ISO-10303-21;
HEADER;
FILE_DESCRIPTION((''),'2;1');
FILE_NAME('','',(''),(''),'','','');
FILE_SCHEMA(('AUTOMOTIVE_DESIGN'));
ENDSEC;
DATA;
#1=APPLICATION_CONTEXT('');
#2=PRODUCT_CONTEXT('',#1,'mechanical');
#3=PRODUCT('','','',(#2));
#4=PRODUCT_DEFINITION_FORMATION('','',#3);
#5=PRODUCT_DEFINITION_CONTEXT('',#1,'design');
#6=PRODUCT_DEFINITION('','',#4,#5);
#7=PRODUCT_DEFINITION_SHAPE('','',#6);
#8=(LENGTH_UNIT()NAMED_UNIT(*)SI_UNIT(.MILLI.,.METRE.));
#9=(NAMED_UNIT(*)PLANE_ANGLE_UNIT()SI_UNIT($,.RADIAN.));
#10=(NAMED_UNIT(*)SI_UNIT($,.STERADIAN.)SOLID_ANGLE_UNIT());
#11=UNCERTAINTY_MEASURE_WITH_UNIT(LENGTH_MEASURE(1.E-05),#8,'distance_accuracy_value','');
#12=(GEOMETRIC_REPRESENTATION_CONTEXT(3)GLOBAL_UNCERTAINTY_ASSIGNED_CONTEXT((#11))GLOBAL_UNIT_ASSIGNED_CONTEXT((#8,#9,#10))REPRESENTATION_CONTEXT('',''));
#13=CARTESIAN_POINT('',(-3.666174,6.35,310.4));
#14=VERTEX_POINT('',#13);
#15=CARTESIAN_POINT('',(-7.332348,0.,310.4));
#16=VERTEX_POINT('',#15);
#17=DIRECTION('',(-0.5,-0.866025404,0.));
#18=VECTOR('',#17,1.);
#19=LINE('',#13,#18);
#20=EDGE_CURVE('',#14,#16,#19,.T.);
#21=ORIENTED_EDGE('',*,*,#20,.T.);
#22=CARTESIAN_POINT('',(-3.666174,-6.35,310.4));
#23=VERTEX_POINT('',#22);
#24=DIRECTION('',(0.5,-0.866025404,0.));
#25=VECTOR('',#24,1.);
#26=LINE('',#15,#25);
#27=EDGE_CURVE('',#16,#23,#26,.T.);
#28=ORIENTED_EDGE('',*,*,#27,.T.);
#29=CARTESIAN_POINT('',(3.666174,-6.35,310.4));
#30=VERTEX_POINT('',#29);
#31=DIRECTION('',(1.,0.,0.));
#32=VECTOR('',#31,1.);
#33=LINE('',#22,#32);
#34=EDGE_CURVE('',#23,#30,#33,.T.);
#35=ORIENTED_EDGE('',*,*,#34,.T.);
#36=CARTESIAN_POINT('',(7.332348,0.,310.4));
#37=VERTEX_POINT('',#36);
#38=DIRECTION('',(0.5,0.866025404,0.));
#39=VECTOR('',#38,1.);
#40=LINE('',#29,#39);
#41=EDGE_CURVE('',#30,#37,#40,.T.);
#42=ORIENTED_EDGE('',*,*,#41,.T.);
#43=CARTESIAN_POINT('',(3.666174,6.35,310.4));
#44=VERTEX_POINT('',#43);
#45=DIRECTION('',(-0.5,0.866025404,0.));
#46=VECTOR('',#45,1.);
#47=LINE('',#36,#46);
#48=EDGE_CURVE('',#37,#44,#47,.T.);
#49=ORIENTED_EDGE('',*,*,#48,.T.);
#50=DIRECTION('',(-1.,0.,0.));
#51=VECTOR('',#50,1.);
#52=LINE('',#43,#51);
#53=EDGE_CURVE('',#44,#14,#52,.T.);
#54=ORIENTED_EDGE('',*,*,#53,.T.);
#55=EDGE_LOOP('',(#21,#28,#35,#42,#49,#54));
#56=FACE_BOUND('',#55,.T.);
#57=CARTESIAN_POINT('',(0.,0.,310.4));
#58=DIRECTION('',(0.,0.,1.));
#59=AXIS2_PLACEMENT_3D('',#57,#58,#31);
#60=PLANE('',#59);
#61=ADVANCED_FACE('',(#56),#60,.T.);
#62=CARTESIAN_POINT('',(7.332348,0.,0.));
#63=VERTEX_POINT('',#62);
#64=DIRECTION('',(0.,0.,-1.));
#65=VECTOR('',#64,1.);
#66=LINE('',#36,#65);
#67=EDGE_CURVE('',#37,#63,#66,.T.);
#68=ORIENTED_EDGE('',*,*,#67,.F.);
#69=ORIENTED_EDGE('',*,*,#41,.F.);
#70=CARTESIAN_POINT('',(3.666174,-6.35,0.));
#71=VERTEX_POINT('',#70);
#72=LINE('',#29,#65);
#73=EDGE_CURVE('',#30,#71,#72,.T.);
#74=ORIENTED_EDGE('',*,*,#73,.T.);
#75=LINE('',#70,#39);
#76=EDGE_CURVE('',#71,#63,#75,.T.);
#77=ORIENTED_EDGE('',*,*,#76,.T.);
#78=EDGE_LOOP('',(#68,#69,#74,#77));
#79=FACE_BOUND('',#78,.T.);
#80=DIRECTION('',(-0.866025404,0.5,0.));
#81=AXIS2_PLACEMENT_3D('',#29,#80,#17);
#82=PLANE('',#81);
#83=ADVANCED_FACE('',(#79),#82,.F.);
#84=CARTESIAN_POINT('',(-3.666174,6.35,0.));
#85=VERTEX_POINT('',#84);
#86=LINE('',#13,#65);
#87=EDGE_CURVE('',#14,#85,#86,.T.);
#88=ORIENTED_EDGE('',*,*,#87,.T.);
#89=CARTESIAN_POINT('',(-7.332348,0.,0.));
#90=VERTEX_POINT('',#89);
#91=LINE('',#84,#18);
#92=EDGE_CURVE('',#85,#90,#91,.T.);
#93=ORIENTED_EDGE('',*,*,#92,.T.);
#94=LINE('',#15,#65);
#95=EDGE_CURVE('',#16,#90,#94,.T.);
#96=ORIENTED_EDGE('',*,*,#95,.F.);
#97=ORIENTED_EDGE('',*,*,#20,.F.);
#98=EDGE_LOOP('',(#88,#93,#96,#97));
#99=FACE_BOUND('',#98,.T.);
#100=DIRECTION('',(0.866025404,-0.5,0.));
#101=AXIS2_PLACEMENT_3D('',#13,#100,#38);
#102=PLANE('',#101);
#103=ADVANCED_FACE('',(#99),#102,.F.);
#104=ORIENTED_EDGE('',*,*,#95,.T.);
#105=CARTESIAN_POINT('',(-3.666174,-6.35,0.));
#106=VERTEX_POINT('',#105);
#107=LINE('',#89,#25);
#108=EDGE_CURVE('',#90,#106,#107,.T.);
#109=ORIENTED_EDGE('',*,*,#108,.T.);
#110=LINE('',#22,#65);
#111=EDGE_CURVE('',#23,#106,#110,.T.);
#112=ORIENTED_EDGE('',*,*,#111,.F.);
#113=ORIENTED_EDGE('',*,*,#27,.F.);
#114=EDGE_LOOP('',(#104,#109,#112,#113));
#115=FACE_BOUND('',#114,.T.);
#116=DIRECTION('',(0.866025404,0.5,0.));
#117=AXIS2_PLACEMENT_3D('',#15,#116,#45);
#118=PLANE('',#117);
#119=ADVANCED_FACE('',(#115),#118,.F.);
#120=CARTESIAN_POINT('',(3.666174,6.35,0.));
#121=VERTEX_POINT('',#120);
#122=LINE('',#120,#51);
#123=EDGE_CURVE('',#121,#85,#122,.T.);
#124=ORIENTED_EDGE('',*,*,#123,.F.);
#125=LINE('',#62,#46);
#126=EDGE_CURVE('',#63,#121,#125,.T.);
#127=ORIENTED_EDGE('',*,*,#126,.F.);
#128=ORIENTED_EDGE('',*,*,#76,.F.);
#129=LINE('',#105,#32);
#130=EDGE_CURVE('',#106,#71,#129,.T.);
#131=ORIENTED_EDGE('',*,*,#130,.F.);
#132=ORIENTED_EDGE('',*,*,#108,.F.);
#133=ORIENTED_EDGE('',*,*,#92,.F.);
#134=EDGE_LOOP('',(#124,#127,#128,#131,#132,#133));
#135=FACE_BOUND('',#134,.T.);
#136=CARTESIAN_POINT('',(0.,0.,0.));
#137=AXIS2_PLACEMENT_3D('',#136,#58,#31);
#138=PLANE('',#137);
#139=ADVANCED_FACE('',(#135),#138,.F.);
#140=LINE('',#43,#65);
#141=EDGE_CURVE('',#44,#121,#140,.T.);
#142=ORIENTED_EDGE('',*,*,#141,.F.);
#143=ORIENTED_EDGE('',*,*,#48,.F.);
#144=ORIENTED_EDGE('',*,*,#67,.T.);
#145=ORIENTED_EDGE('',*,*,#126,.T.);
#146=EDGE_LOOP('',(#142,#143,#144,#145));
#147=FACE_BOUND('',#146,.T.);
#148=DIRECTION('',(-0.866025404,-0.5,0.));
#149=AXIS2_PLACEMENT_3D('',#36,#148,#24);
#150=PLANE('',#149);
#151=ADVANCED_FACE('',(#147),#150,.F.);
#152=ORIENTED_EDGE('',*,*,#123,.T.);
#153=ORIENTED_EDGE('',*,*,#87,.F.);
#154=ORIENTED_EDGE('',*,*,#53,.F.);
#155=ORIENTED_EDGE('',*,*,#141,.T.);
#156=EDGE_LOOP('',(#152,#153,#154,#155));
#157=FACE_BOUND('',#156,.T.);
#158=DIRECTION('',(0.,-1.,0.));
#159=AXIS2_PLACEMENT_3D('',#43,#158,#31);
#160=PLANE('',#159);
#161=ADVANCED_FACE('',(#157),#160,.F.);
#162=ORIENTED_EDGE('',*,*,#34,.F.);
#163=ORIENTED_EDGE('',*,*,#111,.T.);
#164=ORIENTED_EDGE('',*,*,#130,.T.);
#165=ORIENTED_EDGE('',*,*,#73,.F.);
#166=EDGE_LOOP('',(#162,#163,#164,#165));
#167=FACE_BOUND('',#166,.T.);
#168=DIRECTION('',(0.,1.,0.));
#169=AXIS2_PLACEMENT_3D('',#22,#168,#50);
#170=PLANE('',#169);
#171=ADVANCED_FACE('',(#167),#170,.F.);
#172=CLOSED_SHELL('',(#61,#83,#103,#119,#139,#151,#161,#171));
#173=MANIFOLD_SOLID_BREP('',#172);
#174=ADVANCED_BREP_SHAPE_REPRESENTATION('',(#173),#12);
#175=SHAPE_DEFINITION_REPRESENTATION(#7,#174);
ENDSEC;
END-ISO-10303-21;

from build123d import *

# Parameters (mm, degrees)
BOSS_EXTRUDE1_DEPTH = 310.4


with BuildPart() as part:
    # Sketch1 → Boss-Extrude1 (new body)
    with BuildSketch(Plane.XY):
        Polygon((7.332348419, 0), (3.666174209, 6.35), (-3.666174209, 6.35), (-7.332348419, 0), (-3.666174209, -6.35), (3.666174209, -6.35), align=None)
    extrude(amount=BOSS_EXTRUDE1_DEPTH)


solid = part.part
